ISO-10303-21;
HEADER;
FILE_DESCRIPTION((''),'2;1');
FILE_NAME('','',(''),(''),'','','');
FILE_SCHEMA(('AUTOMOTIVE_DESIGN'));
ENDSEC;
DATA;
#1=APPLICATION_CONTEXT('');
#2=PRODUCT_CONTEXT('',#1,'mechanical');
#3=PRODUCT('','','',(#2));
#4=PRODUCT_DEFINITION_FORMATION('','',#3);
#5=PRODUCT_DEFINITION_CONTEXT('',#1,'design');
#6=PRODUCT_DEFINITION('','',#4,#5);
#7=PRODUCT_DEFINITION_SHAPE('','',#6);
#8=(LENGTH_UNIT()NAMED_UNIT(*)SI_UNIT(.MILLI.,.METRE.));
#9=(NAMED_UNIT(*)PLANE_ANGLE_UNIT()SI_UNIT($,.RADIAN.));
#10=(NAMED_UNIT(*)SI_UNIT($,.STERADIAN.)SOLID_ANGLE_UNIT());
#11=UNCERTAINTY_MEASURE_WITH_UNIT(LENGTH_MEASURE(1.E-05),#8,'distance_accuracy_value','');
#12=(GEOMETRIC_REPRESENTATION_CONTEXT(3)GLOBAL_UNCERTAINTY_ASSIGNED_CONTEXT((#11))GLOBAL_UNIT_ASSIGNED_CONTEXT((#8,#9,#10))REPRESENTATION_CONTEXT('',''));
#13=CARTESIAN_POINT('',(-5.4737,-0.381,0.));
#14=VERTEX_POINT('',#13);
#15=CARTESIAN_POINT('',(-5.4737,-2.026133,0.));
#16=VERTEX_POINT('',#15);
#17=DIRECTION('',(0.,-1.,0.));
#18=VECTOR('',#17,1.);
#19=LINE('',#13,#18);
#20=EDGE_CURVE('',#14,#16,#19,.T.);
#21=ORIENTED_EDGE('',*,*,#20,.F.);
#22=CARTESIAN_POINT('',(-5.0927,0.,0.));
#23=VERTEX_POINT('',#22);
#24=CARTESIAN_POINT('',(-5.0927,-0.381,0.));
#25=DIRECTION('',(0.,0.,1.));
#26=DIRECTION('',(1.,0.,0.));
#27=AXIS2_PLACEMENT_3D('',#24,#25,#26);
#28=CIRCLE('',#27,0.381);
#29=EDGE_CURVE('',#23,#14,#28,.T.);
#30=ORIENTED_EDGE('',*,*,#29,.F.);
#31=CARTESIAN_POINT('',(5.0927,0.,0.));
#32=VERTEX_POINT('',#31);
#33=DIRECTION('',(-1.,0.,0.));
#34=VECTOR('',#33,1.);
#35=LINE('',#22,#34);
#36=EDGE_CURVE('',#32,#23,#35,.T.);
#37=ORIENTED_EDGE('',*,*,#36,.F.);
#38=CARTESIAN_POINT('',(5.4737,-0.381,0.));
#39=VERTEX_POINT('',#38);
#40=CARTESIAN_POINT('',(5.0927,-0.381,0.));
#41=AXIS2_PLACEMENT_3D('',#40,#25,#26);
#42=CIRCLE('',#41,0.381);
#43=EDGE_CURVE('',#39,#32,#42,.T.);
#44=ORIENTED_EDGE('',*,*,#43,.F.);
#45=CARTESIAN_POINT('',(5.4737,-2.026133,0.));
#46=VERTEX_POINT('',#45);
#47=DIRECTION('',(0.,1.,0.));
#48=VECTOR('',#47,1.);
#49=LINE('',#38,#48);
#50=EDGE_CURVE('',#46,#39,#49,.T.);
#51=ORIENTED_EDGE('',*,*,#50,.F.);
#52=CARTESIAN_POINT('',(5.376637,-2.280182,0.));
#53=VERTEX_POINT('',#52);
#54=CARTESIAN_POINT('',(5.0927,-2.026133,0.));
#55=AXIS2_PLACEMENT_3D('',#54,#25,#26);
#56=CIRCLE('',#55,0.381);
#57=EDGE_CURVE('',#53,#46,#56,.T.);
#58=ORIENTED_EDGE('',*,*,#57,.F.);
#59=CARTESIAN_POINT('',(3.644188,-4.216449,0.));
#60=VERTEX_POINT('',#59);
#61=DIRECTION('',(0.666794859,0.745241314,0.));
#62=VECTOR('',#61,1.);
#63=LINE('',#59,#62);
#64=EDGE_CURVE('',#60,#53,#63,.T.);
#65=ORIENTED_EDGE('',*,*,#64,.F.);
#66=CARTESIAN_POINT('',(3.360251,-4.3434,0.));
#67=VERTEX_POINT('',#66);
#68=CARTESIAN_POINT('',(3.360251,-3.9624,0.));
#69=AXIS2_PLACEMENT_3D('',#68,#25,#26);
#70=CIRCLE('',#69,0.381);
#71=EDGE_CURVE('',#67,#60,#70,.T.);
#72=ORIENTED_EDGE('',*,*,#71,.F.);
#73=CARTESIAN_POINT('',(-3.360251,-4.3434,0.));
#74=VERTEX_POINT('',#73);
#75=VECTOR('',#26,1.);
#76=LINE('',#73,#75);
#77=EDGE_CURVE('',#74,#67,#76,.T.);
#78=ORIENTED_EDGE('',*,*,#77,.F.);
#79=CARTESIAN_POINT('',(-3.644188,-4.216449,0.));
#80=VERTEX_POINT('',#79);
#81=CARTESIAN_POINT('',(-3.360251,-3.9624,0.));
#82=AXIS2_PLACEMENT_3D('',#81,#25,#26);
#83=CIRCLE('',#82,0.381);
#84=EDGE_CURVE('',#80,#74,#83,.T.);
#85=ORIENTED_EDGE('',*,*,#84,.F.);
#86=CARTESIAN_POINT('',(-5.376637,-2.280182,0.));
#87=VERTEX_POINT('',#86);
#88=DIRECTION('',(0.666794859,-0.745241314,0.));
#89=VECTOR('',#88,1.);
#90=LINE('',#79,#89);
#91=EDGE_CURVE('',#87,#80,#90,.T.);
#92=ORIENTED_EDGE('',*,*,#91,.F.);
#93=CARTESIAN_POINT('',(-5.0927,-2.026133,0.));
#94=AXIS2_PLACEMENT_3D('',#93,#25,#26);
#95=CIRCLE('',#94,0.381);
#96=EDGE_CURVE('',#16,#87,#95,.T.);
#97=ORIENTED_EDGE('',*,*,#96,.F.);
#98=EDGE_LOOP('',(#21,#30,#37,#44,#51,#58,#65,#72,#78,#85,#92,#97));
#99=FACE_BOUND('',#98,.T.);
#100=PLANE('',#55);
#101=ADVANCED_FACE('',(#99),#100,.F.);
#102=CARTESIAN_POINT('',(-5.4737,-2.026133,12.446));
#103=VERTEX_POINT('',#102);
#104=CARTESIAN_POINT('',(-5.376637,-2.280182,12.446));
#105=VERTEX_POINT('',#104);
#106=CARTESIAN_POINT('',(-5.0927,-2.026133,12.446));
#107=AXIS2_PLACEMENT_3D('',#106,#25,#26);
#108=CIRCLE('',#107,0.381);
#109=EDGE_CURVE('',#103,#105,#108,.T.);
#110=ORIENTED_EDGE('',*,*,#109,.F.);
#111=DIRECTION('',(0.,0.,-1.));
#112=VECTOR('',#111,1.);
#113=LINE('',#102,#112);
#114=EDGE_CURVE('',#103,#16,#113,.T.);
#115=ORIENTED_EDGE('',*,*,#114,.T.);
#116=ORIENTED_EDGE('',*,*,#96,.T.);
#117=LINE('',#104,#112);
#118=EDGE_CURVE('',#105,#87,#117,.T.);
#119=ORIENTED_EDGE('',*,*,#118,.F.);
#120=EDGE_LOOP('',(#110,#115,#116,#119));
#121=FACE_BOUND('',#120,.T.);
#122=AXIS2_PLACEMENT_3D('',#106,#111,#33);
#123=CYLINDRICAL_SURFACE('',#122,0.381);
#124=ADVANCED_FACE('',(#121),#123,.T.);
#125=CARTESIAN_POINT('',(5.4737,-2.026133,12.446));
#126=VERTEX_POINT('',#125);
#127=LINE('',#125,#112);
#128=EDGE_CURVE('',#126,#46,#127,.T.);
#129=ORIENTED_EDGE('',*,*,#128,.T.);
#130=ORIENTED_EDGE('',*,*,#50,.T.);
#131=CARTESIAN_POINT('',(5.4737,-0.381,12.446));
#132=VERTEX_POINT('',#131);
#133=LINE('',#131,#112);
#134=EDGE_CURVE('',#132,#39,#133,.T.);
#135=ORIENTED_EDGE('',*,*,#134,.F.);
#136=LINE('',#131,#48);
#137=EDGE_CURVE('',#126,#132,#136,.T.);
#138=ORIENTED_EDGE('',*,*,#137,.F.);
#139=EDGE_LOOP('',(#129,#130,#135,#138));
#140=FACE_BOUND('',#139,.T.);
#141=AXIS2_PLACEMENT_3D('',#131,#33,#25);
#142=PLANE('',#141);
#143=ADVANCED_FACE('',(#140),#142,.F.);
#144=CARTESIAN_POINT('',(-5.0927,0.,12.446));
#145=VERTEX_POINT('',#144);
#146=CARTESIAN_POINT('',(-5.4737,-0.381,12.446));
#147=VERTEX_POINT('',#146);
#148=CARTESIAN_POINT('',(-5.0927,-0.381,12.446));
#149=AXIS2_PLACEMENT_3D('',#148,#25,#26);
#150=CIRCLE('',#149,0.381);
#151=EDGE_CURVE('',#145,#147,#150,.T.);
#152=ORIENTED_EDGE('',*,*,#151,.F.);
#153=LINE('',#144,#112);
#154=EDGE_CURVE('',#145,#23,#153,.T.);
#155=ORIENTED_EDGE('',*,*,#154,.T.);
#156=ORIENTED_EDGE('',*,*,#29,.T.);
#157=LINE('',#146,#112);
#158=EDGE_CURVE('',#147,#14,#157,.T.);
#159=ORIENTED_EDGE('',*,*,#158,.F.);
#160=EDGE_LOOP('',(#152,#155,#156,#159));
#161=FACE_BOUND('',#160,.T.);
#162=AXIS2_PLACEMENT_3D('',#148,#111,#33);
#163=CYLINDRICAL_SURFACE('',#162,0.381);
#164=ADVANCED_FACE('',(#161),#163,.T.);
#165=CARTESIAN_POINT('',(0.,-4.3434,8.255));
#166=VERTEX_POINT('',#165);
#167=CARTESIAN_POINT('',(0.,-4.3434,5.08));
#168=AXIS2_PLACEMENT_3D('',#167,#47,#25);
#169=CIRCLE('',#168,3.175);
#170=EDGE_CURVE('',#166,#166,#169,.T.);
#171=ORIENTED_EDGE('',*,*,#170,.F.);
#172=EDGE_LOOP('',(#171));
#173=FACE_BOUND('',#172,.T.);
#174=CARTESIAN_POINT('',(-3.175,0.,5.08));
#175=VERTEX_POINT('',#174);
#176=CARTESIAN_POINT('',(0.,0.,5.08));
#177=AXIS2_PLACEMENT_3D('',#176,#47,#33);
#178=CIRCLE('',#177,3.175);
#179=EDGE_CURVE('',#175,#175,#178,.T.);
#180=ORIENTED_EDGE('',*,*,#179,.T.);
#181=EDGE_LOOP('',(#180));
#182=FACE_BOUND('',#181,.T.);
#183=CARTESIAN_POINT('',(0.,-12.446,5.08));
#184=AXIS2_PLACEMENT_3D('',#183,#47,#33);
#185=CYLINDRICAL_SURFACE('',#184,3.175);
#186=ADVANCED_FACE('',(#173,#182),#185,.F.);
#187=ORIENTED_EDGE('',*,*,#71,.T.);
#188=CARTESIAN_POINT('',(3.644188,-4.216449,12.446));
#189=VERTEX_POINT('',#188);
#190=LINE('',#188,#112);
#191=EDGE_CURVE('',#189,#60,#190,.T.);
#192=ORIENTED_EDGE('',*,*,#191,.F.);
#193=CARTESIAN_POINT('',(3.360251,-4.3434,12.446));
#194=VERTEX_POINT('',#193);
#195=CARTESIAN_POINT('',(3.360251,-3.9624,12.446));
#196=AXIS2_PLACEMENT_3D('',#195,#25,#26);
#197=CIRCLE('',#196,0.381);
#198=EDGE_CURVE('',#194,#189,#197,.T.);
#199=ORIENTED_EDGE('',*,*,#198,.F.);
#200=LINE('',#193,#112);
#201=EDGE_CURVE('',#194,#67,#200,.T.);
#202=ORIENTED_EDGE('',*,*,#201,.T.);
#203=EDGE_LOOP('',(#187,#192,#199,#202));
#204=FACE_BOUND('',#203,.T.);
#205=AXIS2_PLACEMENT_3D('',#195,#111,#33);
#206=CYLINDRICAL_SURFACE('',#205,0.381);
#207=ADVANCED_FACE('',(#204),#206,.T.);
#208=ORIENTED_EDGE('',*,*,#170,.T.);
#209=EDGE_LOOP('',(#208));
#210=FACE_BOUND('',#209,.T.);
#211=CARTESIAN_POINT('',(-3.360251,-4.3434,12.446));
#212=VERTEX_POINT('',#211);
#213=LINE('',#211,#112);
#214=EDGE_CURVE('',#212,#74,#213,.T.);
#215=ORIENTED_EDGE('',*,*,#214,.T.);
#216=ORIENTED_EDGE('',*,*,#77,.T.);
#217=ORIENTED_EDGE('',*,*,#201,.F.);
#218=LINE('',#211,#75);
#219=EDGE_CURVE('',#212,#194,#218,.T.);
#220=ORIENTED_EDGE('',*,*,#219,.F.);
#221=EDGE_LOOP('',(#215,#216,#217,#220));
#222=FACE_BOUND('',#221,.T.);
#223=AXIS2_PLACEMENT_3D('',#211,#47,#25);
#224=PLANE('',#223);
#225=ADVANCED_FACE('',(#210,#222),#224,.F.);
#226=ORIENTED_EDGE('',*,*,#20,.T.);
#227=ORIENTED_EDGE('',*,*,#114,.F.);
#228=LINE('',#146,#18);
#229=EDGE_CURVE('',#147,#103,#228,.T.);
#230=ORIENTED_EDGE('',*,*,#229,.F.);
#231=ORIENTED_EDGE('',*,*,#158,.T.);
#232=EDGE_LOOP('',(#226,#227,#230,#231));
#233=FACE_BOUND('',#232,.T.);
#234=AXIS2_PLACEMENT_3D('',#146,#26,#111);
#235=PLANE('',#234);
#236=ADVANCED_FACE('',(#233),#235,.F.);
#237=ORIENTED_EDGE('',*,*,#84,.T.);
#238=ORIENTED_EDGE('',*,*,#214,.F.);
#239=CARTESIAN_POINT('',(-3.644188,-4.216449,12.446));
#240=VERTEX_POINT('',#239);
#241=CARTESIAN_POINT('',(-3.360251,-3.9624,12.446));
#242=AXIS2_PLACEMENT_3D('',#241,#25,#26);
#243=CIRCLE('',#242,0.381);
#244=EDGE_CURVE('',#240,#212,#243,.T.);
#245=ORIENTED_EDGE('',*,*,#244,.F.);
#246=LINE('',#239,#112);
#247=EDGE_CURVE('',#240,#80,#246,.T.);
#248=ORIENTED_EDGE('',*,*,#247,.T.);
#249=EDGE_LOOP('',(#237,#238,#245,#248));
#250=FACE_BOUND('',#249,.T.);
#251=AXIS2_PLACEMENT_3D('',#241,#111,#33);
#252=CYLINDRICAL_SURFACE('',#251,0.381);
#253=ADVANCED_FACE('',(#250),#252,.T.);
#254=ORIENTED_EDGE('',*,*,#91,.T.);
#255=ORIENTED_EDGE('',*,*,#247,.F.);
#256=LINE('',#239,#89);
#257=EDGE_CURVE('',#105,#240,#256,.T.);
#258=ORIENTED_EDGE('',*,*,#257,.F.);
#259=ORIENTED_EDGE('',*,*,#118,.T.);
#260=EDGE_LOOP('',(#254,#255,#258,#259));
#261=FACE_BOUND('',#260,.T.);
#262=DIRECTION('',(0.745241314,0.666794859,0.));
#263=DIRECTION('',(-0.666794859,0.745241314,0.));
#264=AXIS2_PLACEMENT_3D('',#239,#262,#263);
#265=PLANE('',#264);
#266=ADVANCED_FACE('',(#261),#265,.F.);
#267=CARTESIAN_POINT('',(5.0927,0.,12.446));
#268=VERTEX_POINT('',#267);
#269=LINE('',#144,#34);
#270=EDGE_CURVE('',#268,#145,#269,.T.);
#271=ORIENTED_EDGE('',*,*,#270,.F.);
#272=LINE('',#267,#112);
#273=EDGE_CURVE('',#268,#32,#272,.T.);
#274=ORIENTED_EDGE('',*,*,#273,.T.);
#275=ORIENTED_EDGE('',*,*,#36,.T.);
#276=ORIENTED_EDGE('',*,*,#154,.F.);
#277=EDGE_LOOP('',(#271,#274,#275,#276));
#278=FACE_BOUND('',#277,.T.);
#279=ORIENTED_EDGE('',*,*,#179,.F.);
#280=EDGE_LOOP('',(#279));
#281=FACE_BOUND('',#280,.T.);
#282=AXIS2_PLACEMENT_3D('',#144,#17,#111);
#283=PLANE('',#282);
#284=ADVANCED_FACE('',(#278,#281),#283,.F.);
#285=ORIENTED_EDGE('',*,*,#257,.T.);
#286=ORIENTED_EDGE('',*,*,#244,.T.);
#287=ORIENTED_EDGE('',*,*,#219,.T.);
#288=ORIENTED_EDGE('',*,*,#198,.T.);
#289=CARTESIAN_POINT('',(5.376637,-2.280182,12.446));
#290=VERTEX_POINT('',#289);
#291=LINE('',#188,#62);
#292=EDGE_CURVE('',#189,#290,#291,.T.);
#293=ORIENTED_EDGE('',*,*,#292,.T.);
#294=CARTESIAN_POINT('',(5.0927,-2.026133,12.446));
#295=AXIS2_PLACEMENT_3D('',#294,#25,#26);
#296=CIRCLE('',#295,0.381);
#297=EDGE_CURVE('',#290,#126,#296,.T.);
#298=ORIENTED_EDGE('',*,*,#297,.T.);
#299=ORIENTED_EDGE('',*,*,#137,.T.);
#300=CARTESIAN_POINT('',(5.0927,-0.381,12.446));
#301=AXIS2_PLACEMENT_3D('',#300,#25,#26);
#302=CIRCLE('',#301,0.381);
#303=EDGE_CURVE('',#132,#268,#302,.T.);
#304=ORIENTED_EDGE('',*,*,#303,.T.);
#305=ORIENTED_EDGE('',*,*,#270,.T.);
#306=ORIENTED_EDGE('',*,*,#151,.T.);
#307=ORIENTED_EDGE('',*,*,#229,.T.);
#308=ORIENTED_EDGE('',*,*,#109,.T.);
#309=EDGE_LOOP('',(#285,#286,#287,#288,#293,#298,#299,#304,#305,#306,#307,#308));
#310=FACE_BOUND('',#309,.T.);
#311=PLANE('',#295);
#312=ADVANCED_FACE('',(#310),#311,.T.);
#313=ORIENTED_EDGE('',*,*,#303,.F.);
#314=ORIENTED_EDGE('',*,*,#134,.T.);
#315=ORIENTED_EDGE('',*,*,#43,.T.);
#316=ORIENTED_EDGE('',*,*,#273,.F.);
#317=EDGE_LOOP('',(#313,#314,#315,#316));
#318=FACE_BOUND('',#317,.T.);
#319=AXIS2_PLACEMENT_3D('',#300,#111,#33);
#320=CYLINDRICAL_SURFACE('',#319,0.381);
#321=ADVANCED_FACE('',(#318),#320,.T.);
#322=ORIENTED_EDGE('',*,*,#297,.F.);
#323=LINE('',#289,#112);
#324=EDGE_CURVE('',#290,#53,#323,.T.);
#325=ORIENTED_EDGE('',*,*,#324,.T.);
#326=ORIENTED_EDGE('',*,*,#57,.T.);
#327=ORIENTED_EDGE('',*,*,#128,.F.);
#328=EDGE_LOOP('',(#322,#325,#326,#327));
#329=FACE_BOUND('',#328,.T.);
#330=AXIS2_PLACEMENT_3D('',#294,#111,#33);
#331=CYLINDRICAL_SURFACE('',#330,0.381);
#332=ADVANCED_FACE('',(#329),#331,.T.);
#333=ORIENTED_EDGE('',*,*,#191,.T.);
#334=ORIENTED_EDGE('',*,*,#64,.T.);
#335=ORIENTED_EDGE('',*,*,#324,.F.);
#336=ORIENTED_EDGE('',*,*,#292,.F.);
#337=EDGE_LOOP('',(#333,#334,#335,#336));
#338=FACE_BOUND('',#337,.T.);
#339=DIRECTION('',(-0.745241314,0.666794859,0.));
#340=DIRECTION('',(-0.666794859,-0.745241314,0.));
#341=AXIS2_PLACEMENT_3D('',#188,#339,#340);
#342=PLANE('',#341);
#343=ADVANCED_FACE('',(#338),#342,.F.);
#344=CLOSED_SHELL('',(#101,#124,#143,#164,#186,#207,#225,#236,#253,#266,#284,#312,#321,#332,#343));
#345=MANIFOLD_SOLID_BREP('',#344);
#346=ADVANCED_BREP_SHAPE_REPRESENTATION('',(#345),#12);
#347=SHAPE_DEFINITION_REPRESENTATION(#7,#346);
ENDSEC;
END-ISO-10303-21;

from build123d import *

# Parameters (mm, degrees)
EXTRUDE1_DEPTH     = 12.446
SKETCH2_R          = 3.175
CUT_EXTRUDE1_DEPTH = 12.446


with BuildPart() as part:
    # Sketch1 → Extrude1 (new body)
    with BuildSketch(Plane.XY):
        with BuildLine():
            Line((-5.0927, 0), (5.0927, 0))
            ThreePointArc((5.0927, 0), (5.362107684, -0.111592316), (5.4737, -0.381))
            Line((5.4737, -0.381), (5.4737, -2.026133402))
            ThreePointArc((5.4737, -2.026133402), (5.448607976, -2.162113227), (5.37663694, -2.280182243))
            Line((5.37663694, -2.280182243), (3.644187879, -4.216448841))
            ThreePointArc((3.644187879, -4.216448841), (3.515763625, -4.3102172), (3.360250938, -4.3434))
            Line((3.360250938, -4.3434), (-3.360250938, -4.3434))
            ThreePointArc((-3.360250938, -4.3434), (-3.515763625, -4.3102172), (-3.644187879, -4.216448841))
            Line((-3.644187879, -4.216448841), (-5.37663694, -2.280182243))
            ThreePointArc((-5.37663694, -2.280182243), (-5.448607976, -2.162113227), (-5.4737, -2.026133402))
            Line((-5.4737, -2.026133402), (-5.4737, -0.381))
            ThreePointArc((-5.4737, -0.381), (-5.362107684, -0.111592316), (-5.0927, 0))
        make_face()
    extrude(amount=EXTRUDE1_DEPTH)

    # Sketch2 → Cut-Extrude1 (cut)
    with BuildSketch(Plane(origin=(0, 0, 0), x_dir=(-1, 0, 0), z_dir=(0, 1, 0))):
        with Locations((0, 5.08)):
            Circle(SKETCH2_R)
    extrude(amount=-CUT_EXTRUDE1_DEPTH, mode=Mode.SUBTRACT)


solid = part.part
